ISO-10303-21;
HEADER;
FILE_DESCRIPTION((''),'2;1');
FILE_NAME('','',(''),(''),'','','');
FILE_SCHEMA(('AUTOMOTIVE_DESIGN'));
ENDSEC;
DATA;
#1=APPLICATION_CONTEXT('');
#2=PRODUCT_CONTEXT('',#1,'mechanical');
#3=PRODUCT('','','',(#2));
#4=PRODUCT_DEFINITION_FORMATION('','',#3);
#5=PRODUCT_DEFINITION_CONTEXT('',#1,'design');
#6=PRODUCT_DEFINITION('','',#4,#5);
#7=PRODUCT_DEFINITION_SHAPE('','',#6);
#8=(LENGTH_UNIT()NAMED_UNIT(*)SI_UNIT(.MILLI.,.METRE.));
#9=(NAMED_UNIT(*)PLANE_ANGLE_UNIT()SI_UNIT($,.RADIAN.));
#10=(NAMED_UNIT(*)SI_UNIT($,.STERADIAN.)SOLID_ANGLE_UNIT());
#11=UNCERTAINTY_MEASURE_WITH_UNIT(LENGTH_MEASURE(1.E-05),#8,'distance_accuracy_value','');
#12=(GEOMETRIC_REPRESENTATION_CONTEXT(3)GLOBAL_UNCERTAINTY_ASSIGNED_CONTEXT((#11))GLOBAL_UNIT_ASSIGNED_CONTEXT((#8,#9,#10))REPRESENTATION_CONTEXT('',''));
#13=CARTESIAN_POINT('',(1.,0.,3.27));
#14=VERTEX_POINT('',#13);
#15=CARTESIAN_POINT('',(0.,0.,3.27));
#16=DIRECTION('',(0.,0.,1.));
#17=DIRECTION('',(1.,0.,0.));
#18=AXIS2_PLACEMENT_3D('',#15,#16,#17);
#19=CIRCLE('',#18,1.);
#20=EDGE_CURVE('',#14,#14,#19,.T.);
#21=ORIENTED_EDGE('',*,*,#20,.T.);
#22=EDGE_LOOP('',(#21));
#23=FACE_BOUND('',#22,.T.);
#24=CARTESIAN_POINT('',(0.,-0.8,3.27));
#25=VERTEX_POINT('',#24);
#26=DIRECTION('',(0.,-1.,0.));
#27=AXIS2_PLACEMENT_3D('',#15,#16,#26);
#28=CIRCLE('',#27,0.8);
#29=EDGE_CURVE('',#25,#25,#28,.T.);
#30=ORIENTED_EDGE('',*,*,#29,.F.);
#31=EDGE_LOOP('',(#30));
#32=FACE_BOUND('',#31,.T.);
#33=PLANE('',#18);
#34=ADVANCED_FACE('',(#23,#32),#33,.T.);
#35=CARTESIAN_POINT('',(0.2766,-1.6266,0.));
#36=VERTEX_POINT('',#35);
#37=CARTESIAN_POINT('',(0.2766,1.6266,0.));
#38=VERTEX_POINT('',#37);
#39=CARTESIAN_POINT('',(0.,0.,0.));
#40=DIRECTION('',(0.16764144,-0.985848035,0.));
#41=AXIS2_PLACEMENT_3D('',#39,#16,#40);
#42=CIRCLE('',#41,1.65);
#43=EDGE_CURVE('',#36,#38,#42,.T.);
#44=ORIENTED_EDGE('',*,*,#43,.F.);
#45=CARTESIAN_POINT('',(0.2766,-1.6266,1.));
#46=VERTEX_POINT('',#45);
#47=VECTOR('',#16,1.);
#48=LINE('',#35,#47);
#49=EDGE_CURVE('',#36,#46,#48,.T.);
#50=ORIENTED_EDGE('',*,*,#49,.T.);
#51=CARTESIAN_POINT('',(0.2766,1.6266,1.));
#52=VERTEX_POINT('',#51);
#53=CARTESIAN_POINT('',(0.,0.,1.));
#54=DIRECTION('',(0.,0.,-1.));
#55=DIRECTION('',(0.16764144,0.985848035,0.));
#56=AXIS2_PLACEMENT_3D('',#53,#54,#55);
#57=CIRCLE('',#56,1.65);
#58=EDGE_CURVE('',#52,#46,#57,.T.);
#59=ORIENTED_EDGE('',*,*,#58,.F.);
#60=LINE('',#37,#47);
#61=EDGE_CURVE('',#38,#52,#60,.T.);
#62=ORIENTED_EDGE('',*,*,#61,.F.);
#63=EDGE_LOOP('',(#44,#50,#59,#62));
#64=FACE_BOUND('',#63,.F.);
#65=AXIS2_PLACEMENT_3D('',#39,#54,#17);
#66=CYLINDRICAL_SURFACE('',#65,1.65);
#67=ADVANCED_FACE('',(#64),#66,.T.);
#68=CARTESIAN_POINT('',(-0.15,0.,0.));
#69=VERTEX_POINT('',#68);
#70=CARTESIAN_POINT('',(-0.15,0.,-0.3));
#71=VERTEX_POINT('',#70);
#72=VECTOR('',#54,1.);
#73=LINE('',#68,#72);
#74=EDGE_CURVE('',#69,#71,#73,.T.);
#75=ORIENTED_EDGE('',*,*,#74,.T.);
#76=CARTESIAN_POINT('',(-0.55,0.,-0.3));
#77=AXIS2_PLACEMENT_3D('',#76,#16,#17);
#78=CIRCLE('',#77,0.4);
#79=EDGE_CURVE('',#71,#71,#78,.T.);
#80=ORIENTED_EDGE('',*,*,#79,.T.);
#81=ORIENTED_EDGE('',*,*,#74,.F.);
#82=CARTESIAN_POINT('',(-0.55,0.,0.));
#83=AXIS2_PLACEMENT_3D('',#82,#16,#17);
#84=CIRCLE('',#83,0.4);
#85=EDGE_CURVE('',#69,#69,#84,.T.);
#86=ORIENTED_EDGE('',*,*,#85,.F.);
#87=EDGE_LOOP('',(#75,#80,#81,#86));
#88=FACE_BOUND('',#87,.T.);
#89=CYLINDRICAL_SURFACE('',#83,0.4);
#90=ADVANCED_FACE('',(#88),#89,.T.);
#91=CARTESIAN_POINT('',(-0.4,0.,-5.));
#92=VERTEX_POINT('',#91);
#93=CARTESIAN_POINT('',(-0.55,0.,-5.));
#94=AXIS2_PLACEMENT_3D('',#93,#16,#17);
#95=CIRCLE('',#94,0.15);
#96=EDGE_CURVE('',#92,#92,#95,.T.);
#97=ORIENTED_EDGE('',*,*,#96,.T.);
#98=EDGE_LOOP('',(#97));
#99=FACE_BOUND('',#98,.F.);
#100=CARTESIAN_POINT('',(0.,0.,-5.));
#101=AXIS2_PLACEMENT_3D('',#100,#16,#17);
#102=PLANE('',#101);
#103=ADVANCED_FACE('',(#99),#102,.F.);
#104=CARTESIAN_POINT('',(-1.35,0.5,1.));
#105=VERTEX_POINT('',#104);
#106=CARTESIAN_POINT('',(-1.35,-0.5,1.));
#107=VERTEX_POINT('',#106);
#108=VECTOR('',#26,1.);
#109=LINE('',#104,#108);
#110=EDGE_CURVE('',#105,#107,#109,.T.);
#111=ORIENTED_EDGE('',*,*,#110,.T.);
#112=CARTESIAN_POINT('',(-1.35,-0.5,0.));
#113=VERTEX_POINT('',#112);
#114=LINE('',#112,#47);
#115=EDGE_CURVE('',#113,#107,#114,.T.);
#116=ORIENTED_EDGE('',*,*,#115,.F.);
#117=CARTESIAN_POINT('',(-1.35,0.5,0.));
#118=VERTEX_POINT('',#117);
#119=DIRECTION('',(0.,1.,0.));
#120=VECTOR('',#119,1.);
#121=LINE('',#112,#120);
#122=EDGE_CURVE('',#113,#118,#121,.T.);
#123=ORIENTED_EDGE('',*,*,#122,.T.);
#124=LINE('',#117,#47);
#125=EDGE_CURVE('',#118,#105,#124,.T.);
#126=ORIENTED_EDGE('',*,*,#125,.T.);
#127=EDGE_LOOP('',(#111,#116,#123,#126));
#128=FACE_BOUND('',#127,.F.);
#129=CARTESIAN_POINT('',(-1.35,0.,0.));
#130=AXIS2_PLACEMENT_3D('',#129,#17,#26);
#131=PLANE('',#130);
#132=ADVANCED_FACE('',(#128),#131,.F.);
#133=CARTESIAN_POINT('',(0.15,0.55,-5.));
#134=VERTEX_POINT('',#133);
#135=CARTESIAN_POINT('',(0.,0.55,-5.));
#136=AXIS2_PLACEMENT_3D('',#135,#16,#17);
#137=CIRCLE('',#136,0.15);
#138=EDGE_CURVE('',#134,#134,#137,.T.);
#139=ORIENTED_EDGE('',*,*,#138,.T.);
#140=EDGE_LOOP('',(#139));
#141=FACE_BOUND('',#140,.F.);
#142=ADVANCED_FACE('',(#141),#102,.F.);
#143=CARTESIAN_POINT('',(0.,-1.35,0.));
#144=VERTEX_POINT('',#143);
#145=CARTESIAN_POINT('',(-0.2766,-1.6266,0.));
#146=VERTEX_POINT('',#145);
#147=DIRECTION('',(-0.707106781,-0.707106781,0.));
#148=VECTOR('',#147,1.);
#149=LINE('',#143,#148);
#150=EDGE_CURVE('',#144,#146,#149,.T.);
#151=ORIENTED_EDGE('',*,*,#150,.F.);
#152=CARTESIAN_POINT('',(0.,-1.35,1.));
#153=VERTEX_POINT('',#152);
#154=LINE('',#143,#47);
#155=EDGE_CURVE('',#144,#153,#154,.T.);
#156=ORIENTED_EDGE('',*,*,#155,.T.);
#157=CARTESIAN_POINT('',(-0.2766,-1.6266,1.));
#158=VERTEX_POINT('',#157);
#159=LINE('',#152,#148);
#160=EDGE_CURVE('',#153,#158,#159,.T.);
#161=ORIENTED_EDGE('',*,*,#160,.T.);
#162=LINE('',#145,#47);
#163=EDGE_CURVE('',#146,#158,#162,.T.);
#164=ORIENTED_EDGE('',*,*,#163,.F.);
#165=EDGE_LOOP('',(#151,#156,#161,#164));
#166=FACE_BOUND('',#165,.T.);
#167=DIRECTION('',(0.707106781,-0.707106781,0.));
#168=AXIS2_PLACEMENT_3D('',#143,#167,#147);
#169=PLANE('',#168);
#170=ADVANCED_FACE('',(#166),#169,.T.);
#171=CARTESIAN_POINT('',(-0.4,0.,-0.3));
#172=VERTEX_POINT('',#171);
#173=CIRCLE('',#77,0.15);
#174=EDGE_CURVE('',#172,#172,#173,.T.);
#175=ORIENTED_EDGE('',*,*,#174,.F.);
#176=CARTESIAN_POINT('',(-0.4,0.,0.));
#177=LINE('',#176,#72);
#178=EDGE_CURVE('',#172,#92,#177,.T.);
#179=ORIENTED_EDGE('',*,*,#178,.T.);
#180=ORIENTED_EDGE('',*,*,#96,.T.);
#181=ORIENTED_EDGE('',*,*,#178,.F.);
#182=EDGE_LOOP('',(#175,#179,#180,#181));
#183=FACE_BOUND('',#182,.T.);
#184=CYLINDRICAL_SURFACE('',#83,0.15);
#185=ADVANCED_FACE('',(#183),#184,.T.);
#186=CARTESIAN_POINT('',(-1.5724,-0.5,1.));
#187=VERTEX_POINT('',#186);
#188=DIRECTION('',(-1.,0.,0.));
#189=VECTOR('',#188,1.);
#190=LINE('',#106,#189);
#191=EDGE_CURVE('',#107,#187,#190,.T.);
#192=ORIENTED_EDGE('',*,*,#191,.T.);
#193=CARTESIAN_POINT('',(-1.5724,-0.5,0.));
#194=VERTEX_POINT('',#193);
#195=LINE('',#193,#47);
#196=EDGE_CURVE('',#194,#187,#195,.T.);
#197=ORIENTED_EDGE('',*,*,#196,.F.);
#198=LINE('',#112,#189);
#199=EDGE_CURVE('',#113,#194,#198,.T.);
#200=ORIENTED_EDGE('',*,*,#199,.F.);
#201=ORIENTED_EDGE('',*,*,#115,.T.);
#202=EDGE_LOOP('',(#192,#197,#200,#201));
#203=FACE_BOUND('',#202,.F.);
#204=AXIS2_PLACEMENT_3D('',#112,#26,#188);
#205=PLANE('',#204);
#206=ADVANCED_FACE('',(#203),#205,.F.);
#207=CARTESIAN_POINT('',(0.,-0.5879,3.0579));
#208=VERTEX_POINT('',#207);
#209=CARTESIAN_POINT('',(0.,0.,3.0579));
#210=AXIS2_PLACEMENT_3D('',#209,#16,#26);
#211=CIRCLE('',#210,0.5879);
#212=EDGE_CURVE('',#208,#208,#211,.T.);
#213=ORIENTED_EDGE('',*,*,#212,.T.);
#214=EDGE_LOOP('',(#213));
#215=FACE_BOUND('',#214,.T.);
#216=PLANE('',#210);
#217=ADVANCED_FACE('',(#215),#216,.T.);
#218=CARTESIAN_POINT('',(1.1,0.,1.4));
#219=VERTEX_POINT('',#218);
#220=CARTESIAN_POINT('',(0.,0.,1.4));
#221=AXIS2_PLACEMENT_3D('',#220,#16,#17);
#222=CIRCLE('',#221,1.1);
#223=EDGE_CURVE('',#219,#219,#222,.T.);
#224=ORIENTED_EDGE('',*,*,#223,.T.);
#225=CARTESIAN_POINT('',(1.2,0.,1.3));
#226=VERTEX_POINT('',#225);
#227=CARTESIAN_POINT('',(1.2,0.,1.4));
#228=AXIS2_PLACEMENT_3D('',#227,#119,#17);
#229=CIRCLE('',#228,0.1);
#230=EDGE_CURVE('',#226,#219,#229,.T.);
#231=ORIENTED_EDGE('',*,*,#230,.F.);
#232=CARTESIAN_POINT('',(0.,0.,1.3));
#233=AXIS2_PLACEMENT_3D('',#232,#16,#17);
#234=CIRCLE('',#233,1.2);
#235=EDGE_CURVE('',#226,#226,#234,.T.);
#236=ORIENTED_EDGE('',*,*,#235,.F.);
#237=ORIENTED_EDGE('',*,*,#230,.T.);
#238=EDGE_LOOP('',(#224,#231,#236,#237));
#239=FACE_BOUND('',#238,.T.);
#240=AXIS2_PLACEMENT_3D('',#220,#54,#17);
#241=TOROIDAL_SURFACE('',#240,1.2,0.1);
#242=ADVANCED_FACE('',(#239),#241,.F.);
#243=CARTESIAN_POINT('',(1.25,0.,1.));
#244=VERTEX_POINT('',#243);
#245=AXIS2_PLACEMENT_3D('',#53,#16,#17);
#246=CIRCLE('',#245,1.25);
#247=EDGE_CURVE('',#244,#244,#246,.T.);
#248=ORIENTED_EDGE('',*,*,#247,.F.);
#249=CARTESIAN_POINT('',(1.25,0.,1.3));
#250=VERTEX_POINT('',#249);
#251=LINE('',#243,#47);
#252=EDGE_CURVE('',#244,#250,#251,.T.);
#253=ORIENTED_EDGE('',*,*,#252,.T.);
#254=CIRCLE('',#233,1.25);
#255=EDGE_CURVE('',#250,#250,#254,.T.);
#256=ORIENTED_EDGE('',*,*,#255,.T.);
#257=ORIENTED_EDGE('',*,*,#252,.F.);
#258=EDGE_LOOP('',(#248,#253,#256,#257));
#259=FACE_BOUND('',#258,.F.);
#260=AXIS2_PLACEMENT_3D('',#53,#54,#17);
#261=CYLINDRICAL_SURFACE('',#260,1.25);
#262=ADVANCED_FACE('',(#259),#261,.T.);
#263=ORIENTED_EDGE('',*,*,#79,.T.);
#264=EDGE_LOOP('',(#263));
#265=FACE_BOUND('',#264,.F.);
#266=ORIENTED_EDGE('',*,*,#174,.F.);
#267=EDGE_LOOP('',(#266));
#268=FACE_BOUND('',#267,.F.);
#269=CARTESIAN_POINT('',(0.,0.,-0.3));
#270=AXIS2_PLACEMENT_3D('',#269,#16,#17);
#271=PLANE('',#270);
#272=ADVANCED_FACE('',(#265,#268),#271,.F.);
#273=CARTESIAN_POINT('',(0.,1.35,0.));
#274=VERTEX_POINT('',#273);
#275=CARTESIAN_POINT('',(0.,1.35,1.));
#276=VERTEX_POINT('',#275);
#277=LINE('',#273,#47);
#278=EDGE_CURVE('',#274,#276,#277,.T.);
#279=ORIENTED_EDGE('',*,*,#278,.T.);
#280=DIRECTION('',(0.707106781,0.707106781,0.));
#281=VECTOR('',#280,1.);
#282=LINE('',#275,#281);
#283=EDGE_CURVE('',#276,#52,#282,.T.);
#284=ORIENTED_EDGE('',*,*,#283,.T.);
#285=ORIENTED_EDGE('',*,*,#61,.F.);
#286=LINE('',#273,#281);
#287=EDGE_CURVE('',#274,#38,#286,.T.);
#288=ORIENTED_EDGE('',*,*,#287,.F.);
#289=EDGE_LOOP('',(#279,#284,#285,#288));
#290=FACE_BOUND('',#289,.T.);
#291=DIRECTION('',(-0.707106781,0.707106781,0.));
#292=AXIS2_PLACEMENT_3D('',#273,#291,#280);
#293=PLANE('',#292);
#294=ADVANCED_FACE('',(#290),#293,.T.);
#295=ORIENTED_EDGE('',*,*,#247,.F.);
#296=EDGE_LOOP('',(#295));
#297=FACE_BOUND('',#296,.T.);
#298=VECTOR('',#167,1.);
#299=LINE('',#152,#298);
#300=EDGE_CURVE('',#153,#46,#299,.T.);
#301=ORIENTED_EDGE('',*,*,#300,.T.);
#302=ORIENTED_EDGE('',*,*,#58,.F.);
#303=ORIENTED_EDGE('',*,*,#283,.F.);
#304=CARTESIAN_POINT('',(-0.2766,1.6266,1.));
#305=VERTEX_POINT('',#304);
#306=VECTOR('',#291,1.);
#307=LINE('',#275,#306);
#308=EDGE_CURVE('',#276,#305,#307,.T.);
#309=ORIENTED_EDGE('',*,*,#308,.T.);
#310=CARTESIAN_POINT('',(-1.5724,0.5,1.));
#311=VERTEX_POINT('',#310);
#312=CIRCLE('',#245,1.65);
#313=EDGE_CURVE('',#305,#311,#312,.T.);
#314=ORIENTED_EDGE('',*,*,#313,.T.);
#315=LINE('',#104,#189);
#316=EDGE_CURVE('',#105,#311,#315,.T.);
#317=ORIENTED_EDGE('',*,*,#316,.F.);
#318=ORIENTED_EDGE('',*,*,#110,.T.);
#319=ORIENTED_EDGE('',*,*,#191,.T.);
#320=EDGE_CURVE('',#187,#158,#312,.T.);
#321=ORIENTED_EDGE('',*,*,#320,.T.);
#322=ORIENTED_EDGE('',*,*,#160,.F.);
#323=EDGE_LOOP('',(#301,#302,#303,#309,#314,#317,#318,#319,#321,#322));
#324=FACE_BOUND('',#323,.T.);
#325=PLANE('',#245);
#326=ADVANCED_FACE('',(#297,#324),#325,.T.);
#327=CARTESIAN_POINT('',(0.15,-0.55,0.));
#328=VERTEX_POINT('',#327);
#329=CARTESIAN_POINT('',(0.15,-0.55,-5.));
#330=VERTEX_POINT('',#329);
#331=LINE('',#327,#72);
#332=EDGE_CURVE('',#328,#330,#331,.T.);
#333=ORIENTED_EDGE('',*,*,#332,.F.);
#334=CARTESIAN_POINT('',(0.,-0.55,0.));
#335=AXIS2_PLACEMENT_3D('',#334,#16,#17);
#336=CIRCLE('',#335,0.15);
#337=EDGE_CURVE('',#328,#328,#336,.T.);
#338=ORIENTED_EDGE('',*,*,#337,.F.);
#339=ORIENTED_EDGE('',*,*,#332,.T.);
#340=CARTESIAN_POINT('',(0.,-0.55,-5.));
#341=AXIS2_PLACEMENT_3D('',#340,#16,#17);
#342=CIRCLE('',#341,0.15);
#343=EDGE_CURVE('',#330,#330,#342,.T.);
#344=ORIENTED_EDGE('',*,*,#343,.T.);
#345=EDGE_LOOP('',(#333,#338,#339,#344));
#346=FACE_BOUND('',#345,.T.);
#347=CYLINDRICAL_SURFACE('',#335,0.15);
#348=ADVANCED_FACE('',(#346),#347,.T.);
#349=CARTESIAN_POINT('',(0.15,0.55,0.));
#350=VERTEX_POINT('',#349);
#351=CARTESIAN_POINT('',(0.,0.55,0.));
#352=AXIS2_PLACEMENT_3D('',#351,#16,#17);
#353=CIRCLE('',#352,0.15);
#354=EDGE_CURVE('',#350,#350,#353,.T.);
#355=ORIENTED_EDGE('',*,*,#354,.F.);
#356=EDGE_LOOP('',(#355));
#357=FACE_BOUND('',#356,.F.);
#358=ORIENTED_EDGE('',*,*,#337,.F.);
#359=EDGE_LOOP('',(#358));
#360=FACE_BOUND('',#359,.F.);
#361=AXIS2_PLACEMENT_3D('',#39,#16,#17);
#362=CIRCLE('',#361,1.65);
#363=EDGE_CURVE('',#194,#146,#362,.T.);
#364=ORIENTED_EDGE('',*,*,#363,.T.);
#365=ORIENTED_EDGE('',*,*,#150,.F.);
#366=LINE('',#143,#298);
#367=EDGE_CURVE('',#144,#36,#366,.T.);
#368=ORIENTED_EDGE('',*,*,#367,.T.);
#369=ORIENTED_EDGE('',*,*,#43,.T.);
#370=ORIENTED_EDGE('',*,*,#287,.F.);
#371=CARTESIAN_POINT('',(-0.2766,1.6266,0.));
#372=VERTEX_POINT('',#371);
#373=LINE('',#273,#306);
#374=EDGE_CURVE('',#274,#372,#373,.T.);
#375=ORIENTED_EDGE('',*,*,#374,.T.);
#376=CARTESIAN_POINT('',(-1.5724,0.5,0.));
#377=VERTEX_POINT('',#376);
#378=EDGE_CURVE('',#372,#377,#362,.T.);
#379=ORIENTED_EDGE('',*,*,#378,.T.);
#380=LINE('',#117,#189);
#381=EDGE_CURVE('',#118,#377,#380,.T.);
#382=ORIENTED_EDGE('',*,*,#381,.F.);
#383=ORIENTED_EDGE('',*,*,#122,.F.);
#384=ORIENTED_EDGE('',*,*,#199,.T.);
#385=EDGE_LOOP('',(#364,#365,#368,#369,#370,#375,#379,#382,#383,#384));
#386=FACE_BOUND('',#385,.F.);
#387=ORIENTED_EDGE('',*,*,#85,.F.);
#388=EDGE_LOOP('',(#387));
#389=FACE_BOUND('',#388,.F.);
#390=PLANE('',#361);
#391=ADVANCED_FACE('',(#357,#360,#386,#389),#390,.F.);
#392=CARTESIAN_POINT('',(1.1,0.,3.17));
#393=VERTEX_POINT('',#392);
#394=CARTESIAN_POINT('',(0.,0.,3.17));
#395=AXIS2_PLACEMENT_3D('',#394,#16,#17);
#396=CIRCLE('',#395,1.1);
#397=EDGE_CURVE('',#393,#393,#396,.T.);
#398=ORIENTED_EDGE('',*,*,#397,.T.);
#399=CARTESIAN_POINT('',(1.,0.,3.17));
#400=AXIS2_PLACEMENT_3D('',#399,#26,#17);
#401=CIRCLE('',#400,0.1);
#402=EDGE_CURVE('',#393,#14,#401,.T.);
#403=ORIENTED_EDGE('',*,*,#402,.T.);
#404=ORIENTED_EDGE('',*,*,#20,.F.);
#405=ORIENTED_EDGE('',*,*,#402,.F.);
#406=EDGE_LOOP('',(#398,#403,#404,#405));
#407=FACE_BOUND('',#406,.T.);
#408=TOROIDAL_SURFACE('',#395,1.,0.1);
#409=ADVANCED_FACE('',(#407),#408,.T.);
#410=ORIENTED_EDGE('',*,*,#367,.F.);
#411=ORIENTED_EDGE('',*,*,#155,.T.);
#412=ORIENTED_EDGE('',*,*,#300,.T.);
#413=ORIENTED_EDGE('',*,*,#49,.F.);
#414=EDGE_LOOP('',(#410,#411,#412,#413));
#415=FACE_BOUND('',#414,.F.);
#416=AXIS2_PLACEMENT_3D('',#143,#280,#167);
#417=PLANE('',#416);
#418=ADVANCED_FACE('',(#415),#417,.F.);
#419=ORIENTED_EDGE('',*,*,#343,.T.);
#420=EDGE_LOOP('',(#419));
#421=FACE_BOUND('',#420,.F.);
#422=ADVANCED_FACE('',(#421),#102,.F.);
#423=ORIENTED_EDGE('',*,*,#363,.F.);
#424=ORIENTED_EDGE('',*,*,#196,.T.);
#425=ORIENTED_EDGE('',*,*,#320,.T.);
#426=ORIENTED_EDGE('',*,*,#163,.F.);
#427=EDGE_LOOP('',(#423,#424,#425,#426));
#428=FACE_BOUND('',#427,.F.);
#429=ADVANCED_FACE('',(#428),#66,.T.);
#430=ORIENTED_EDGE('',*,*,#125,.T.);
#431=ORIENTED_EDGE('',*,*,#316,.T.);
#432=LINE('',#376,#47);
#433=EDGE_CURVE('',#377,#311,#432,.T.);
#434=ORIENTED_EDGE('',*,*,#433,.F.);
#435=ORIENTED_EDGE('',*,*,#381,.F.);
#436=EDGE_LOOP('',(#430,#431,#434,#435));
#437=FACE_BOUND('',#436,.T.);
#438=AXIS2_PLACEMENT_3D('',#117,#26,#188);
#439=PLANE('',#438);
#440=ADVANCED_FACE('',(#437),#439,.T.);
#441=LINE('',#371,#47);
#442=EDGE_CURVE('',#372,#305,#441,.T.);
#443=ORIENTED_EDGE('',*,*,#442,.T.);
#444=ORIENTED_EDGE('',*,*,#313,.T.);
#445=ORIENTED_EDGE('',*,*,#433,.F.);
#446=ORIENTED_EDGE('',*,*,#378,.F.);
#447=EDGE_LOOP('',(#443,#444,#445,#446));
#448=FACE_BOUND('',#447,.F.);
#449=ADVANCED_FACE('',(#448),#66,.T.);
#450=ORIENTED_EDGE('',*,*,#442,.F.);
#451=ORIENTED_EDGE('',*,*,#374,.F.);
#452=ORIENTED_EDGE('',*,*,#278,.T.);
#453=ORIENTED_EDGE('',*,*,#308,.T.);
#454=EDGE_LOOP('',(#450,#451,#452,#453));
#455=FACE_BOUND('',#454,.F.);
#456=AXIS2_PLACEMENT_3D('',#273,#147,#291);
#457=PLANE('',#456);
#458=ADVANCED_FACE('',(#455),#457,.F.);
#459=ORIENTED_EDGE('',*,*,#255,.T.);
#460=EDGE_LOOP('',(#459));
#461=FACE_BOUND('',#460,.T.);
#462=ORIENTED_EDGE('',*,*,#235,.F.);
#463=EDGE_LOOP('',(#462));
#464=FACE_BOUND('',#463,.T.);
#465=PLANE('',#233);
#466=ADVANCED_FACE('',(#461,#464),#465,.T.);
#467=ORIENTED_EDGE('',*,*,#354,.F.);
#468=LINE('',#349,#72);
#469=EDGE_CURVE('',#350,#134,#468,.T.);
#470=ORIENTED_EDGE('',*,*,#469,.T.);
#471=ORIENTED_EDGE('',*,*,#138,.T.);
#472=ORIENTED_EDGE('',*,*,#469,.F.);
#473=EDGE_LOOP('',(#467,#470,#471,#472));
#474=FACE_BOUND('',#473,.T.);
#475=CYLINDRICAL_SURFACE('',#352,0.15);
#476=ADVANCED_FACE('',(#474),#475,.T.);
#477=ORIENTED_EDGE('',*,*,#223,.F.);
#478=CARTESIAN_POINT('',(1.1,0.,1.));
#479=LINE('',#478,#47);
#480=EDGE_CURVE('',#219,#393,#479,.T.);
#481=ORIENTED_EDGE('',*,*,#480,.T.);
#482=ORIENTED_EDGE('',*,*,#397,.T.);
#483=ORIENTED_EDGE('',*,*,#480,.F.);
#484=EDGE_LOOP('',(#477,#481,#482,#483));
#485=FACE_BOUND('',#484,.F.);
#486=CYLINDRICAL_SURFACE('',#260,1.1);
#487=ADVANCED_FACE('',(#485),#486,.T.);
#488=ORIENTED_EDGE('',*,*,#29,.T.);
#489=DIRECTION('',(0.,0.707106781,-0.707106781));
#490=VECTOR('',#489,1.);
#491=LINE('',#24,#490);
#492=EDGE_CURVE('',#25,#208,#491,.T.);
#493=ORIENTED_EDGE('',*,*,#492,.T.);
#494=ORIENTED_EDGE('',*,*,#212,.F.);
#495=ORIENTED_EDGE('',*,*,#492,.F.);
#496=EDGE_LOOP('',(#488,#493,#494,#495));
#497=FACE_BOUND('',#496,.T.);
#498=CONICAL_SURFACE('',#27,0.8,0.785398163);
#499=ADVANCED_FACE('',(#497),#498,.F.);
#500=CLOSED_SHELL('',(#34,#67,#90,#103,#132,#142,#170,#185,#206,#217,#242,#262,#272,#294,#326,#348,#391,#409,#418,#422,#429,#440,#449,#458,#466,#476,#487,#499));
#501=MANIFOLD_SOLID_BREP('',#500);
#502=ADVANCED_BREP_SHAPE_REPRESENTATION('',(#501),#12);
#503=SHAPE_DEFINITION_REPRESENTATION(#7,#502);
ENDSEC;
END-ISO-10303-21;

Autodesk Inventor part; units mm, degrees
ref_plane "YZ Plane" through (0, 0, 0) normal (1, 0, 0) x (0, 1, 0)
ref_plane "XZ Plane" through (0, 0, 0) normal (0, 1, 0) x (-1, 0, 0)
ref_plane "XY Plane" through (0, 0, 0) normal (0, 0, 1) x (1, 0, 0)
sketch "草图1" plane through (0, 0, 0) normal (0, 0, 1) x (1, 0, 0)
  circle A0 centre (0, 0) radius 1.65
  circle A1 centre (0, 0) radius 0.55 construction
  line L0 (0, 1.65) -> (0, 1.35)
  line L1 (0, 1.35) -> (0.2766, 1.6266)
  line L2 (0, 1.35) -> (-0.2766, 1.6266)
  line L3 (0, 1.35) -> (0.3912, 1.35) construction
  line L4 (0, 0) -> (0, 1.65) construction
  line L5 (0, 0) -> (-1.65, 0) construction
  line L6 (0, 0) -> (0, -1.65) construction
  circle A2 centre (0, 0.55) radius 0.15
  circle A3 centre (0, -0.55) radius 0.15
  circle A4 centre (-0.55, 0) radius 0.15
  circle A5 centre (-0.55, 0) radius 0.4
  line L7 (0, -1.65) -> (0, -1.35)
  line L8 (0, -1.35) -> (0.2766, -1.6266)
  line L9 (0, -1.35) -> (-0.2766, -1.6266)
  line L10 (0, -1.35) -> (0.3912, -1.35) construction
  line L11 (-1.35, 0) -> (-1.35, 0.5)
  line L12 (-1.35, 0.5) -> (-1.5724, 0.5)
  line L13 (-1.35, 0) -> (-1.35, -0.5)
  line L14 (-1.35, -0.5) -> (-1.5724, -0.5)
  point P0 (-0.2766, -1.6266)
  point P1 (0.2766, -1.6266)
  dimension "d0" = 3.3
  dimension "d1" = 1.1
  dimension "d5" = 0.3
  dimension "d6" = 45
  dimension "d7" = 135
  dimension "d8" = 0.3
  dimension "d9" = 0.3
  dimension "d10" = 0.3
  dimension "d11" = 0.8
  dimension "d12" = 0.5
  dimension "d13" = 0.5
  dimension "d14" = 0.3
extrude "拉伸1" add sketch "草图1" along normal blind 1 contours A0 L8 L9 L14 L13 L11 L12 L2 L1 | A2 | A3 | A4 | A5
extrude "拉伸2" add sketch "草图1" against normal blind 5 contours A2 | A3 | A4
extrude "拉伸3" add sketch "草图1" against normal blind 0.3 contours A5
sketch "草图2" plane through (0, 0, 1) normal (0, 0, 1) x (1, 0, 0)
  circle A0 centre (0, 0) radius 1.1
  circle A1 centre (0, 0) radius 1.25
  dimension "d21" = 2.2
  dimension "d22" = 2.5
extrude "拉伸4" add sketch "草图2" along normal blind 2.27 contours A0
extrude "拉伸5" add sketch "草图2" along normal blind 0.3
sketch "草图3" plane through (0, 0, 0) normal (1, 0, 0) x (0, 1, 0)
  line L0 (1.1, 3.27) -> (-1.1, 3.27) projected
  line L1 (0, 3.27) -> (-0.8, 3.27)
  line L2 (-0.8, 3.27) -> (-0.5879, 3.0579)
  line L3 (-0.5879, 3.0579) -> (0, 3.0579)
  line L4 (0, 3.0579) -> (0, 3.27)
  point P0 (0, 0)
  dimension "d27" = 0.8
  dimension "d28" = 0.3
  dimension "d29" = 45
revolve "旋转1" cut sketch "草图3" angle 360 about axis through (0, 0, 3.0579) along (0, 0, 1)
fillet "圆角1" radius 0.1 2 edges at (-1.1, 0, 3.27) (-1.1, 0, 1.3)
properties part number "CAN_φ3.3" material "黄铜，软黄"
